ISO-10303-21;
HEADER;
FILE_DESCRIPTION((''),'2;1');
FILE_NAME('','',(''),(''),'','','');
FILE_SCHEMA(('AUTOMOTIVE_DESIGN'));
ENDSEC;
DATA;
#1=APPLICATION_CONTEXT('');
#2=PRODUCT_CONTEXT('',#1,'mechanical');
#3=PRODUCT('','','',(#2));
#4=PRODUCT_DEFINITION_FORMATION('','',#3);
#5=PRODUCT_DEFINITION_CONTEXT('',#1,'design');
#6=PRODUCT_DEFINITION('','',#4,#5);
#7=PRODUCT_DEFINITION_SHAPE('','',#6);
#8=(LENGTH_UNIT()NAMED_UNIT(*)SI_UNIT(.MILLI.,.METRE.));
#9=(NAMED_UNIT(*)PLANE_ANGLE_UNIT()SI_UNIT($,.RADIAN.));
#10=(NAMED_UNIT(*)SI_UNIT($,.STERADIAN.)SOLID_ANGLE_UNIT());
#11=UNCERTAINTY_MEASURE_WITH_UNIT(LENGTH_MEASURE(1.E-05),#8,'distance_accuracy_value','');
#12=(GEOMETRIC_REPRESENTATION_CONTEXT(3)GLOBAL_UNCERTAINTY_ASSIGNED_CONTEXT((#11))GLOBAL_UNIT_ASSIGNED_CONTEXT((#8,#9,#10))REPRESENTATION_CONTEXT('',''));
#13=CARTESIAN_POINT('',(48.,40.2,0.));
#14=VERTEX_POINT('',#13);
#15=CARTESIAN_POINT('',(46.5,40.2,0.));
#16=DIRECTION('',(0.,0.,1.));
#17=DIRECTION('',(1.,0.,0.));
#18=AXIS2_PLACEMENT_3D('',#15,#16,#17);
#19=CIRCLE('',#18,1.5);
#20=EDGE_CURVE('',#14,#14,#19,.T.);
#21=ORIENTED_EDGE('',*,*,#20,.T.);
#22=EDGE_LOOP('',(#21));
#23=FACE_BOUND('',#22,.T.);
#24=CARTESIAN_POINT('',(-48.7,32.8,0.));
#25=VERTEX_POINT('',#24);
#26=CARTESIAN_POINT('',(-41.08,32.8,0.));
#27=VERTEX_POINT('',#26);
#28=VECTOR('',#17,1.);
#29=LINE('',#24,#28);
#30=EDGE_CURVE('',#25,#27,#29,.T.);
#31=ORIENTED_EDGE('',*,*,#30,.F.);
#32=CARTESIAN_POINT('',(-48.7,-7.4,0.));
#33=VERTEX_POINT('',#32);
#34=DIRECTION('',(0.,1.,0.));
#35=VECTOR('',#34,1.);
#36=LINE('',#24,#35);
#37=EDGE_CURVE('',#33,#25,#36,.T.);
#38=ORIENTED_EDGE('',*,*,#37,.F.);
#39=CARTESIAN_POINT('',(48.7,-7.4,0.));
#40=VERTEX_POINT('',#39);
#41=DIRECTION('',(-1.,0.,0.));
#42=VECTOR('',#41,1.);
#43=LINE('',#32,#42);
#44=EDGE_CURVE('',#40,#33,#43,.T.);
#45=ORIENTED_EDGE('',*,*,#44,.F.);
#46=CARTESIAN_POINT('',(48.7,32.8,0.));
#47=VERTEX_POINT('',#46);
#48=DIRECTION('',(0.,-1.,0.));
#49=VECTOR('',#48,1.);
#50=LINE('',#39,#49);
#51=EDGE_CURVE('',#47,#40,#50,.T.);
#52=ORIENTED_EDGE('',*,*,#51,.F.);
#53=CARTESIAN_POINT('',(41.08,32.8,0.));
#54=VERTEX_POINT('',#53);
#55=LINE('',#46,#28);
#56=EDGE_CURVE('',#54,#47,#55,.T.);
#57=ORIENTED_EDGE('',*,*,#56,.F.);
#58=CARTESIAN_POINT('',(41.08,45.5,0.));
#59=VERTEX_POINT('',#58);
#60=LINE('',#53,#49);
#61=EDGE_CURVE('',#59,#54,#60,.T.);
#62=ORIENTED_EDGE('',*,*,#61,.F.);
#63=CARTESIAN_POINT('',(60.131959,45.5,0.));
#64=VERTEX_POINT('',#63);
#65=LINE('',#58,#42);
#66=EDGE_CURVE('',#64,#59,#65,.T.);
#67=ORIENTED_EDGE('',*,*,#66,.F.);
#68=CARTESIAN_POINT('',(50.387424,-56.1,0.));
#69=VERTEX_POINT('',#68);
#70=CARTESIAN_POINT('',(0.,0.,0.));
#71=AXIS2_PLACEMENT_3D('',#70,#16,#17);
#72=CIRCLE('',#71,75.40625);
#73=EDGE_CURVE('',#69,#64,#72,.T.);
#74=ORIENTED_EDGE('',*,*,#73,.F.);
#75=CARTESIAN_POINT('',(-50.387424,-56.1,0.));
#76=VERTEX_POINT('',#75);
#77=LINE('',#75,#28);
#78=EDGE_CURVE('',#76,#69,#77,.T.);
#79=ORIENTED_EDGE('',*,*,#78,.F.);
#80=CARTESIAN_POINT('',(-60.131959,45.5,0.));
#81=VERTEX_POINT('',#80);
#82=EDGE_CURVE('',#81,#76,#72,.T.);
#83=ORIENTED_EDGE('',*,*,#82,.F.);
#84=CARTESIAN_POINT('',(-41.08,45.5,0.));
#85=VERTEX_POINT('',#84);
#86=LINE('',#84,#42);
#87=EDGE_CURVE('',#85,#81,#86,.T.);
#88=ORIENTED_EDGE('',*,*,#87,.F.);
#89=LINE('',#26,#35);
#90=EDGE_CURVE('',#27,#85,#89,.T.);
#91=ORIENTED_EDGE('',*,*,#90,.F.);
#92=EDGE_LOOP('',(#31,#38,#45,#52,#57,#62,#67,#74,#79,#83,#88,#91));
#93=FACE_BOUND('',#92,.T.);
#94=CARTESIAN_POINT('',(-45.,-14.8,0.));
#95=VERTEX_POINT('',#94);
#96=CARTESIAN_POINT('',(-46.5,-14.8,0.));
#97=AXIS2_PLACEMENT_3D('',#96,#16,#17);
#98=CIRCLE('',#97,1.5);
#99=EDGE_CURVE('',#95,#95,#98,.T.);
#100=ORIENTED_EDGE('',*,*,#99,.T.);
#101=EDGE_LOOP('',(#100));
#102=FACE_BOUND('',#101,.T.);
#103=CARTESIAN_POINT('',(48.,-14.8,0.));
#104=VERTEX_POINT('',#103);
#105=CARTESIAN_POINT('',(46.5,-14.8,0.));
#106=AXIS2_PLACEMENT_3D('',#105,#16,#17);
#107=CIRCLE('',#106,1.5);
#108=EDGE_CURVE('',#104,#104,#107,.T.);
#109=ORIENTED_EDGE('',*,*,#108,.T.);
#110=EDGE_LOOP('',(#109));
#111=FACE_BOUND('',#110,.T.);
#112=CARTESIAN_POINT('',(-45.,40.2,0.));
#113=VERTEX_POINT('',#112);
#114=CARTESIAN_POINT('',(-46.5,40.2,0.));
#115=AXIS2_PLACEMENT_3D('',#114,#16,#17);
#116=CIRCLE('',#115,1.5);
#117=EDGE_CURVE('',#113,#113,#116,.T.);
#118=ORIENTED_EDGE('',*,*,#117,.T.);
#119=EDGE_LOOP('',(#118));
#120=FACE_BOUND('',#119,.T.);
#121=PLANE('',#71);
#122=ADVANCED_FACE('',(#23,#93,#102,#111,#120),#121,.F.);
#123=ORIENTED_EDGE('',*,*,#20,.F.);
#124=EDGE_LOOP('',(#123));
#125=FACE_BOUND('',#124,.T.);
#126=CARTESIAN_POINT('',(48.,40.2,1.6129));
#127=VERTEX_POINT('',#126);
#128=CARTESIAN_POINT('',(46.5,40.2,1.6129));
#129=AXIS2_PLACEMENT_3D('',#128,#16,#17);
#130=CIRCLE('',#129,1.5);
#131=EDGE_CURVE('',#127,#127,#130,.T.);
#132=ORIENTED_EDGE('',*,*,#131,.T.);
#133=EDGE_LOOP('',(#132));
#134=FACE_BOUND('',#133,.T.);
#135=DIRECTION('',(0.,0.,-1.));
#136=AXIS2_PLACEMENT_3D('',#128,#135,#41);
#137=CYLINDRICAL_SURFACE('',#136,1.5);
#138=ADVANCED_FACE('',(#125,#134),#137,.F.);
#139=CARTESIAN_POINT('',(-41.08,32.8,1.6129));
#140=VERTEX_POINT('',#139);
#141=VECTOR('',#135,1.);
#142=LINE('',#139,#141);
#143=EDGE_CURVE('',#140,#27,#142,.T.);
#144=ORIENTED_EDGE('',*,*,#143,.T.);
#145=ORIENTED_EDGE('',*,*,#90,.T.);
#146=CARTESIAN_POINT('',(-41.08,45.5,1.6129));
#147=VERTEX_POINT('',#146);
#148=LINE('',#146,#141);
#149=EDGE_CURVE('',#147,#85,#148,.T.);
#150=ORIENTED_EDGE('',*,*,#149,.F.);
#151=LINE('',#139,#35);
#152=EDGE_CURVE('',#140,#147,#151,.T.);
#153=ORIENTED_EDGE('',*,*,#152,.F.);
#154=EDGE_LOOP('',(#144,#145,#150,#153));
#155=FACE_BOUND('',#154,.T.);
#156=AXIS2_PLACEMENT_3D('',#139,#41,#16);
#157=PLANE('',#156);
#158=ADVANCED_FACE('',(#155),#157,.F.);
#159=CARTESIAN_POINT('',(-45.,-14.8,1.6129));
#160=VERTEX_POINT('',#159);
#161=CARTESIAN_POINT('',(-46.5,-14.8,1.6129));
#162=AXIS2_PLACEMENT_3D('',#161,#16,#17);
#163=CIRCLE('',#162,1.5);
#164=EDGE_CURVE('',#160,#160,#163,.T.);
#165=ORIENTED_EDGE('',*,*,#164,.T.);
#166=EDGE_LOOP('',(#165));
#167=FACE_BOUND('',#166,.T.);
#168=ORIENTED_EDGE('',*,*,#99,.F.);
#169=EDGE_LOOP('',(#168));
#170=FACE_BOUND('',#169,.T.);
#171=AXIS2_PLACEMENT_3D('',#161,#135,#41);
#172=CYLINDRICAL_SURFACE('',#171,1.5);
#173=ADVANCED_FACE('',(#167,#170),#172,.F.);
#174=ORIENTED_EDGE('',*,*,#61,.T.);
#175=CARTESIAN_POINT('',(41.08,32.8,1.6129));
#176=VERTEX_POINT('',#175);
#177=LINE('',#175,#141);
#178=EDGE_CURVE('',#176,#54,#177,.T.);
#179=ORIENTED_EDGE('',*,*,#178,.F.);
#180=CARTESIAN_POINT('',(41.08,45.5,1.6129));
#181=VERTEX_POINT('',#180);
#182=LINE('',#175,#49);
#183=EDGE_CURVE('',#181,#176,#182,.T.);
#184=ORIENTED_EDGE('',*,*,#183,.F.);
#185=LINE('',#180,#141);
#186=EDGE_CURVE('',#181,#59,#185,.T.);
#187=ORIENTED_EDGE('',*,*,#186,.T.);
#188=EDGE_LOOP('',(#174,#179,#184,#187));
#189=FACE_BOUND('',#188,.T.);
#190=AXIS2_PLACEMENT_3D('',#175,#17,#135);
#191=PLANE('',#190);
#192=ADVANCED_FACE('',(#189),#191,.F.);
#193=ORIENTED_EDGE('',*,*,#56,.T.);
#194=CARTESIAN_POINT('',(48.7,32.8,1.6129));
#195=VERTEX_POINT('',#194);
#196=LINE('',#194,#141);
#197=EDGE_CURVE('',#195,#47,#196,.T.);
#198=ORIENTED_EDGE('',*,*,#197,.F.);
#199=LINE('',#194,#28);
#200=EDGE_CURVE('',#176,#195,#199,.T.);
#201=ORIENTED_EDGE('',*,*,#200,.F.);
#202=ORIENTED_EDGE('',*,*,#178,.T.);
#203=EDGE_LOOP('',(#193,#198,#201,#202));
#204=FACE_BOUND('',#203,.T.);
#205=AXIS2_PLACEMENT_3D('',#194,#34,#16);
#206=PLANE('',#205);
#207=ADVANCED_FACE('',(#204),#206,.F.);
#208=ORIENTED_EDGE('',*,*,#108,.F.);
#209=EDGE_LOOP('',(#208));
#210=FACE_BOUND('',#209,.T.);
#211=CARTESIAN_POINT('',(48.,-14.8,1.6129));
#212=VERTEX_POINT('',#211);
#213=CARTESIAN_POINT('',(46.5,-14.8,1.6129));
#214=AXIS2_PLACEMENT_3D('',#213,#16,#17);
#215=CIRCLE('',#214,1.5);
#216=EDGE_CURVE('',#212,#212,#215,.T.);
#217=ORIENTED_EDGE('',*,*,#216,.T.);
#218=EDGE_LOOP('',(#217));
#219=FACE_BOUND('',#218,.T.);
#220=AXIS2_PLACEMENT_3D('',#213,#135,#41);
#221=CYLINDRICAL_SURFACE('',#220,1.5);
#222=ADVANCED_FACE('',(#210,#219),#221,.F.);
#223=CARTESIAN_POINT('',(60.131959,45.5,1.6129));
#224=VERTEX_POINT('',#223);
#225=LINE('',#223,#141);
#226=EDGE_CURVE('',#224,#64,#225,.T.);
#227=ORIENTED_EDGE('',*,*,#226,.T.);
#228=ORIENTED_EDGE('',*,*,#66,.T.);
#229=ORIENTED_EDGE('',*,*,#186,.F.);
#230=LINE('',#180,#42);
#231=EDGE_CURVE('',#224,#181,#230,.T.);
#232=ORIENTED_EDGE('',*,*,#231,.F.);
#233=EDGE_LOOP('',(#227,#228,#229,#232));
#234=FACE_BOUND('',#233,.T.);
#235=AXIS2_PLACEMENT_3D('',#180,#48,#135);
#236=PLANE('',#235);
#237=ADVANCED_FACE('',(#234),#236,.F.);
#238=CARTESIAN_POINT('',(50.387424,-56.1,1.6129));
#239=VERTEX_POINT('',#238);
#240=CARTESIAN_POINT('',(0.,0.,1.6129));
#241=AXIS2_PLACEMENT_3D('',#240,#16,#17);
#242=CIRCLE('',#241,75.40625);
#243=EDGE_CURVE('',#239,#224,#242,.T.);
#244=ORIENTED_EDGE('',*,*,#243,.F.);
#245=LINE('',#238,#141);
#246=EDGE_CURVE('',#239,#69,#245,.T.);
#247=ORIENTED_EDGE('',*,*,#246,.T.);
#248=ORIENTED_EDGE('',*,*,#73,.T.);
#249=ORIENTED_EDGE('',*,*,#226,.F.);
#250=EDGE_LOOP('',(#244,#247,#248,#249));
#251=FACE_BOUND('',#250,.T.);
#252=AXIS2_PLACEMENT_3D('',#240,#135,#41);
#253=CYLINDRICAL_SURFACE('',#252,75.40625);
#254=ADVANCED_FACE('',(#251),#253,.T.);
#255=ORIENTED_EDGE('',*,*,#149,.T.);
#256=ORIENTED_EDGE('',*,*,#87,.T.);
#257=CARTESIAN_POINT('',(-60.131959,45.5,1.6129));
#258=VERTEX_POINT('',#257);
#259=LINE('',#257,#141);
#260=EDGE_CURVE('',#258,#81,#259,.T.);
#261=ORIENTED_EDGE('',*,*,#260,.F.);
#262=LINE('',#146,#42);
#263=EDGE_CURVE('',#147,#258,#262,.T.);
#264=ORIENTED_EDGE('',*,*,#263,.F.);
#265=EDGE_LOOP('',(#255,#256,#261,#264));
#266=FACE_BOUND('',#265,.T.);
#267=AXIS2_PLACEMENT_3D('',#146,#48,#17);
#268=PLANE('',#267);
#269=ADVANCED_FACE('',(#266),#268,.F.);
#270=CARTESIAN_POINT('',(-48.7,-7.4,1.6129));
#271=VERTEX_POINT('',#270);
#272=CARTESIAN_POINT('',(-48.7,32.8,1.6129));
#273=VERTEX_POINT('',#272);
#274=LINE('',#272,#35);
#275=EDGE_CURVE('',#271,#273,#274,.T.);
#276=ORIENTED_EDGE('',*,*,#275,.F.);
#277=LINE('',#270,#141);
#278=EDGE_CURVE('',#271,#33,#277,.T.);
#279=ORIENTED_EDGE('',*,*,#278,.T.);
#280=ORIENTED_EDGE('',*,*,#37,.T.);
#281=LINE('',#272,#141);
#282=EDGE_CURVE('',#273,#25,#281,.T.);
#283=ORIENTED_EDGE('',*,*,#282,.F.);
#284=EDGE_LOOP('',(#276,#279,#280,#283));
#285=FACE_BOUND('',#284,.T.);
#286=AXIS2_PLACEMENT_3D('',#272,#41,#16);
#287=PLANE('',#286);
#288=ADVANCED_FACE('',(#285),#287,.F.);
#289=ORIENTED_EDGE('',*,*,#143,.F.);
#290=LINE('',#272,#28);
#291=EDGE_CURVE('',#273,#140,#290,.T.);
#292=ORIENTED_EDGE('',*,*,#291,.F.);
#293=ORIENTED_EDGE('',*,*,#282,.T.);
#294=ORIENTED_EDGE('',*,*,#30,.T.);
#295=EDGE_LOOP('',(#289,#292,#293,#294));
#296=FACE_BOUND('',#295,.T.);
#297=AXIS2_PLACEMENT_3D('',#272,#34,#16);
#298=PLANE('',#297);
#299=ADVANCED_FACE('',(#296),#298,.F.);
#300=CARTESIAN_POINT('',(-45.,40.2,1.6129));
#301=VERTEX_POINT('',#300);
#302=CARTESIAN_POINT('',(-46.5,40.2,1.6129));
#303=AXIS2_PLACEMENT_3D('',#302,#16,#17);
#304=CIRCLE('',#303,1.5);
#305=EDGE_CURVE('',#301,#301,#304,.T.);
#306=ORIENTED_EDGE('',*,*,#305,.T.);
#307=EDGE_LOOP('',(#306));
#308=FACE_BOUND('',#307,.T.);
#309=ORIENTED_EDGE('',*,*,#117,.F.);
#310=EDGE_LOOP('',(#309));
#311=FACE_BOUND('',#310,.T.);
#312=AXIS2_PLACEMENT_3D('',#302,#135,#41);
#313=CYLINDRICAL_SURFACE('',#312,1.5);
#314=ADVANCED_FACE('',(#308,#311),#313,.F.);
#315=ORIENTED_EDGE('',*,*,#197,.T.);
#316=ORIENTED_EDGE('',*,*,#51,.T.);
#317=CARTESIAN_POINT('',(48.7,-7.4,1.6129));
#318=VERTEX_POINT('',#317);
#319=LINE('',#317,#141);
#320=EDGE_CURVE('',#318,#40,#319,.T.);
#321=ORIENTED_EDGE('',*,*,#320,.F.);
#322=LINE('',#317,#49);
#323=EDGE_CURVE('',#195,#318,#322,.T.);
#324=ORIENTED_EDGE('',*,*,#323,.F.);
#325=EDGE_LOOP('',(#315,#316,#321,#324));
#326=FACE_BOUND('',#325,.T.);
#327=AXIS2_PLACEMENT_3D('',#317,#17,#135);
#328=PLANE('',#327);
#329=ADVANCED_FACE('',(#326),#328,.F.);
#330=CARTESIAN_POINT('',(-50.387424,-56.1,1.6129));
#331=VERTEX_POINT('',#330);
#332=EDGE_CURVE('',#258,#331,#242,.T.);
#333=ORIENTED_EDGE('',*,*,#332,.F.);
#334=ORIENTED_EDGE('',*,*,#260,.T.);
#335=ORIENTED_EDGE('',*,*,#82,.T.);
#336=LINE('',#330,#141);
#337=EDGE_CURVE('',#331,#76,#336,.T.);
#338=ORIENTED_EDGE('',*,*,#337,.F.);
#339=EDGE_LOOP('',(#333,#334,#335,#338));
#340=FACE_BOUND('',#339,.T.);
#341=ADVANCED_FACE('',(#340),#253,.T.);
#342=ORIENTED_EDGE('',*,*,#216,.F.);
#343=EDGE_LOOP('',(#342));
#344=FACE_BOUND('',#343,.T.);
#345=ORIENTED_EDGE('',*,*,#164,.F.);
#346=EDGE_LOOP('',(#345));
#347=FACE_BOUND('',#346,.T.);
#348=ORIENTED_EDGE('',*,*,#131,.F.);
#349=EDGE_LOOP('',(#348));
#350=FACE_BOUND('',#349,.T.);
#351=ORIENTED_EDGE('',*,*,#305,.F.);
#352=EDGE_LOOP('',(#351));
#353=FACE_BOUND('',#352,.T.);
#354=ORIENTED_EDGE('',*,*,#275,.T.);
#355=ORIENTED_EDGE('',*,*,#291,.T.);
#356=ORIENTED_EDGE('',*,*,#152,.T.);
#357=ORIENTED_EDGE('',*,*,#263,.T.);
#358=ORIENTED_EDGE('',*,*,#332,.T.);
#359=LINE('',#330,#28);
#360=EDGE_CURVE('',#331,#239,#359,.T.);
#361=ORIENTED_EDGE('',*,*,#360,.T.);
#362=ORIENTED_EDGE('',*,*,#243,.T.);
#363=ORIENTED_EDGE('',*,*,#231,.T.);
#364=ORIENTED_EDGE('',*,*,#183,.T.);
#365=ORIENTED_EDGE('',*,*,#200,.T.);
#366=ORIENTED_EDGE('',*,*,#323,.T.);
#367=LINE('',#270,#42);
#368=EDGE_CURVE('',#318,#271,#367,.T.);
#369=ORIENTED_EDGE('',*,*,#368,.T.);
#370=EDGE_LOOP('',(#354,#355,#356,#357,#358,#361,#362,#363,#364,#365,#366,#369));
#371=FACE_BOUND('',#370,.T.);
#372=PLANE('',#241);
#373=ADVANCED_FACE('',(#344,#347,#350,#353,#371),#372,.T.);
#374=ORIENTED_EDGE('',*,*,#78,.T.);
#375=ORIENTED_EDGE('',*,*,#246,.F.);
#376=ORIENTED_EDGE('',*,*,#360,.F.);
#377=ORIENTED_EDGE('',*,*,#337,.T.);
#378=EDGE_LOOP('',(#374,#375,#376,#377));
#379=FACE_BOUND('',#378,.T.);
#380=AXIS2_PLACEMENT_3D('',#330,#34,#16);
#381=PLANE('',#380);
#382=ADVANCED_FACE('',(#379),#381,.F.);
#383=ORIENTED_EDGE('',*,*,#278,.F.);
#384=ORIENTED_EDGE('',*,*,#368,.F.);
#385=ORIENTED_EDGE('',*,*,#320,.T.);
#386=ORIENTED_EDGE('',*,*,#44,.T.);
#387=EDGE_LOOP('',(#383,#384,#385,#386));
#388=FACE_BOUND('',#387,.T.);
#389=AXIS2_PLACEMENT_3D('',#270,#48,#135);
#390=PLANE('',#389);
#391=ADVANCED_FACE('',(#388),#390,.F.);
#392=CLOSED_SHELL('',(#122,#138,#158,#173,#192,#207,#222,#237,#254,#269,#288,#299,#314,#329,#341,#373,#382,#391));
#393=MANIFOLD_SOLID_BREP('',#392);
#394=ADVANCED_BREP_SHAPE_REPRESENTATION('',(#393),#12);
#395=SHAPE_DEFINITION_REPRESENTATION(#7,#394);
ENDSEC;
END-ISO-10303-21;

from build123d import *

# Parameters (mm, degrees)
SKETCH1_R           = 1.5
BOSS_EXTRUDE1_DEPTH = 1.6129


with BuildPart() as part:
    # Sketch1 → Boss-Extrude1 (new body)
    with BuildSketch(Plane.XY):
        with BuildLine():
            Line((48.7, 32.8), (41.08, 32.8))
            Line((41.08, 32.8), (41.08, 45.5))
            Line((41.08, 45.5), (60.131959382, 45.5))
            ThreePointArc((60.131959382, 45.5), (75.061798197, -7.199235406), (50.387424414, -56.1))
            Line((50.387424414, -56.1), (-50.387424414, -56.1))
            ThreePointArc((-50.387424414, -56.1), (-75.061798197, -7.199235406), (-60.131959382, 45.5))
            Line((-60.131959382, 45.5), (-41.08, 45.5))
            Line((-41.08, 45.5), (-41.08, 32.8))
            Line((-41.08, 32.8), (-48.7, 32.8))
            Line((-48.7, 32.8), (-48.7, -7.4))
            Line((-48.7, -7.4), (48.7, -7.4))
            Line((48.7, -7.4), (48.7, 32.8))
        make_face()
        with Locations((-46.5, 40.199999991)):
            Circle(SKETCH1_R, mode=Mode.SUBTRACT)
        with Locations((46.5, 40.199999991)):
            Circle(SKETCH1_R, mode=Mode.SUBTRACT)
        with Locations((46.5, -14.799999991)):
            Circle(SKETCH1_R, mode=Mode.SUBTRACT)
        with Locations((-46.5, -14.799999991)):
            Circle(SKETCH1_R, mode=Mode.SUBTRACT)
    extrude(amount=BOSS_EXTRUDE1_DEPTH)


solid = part.part
